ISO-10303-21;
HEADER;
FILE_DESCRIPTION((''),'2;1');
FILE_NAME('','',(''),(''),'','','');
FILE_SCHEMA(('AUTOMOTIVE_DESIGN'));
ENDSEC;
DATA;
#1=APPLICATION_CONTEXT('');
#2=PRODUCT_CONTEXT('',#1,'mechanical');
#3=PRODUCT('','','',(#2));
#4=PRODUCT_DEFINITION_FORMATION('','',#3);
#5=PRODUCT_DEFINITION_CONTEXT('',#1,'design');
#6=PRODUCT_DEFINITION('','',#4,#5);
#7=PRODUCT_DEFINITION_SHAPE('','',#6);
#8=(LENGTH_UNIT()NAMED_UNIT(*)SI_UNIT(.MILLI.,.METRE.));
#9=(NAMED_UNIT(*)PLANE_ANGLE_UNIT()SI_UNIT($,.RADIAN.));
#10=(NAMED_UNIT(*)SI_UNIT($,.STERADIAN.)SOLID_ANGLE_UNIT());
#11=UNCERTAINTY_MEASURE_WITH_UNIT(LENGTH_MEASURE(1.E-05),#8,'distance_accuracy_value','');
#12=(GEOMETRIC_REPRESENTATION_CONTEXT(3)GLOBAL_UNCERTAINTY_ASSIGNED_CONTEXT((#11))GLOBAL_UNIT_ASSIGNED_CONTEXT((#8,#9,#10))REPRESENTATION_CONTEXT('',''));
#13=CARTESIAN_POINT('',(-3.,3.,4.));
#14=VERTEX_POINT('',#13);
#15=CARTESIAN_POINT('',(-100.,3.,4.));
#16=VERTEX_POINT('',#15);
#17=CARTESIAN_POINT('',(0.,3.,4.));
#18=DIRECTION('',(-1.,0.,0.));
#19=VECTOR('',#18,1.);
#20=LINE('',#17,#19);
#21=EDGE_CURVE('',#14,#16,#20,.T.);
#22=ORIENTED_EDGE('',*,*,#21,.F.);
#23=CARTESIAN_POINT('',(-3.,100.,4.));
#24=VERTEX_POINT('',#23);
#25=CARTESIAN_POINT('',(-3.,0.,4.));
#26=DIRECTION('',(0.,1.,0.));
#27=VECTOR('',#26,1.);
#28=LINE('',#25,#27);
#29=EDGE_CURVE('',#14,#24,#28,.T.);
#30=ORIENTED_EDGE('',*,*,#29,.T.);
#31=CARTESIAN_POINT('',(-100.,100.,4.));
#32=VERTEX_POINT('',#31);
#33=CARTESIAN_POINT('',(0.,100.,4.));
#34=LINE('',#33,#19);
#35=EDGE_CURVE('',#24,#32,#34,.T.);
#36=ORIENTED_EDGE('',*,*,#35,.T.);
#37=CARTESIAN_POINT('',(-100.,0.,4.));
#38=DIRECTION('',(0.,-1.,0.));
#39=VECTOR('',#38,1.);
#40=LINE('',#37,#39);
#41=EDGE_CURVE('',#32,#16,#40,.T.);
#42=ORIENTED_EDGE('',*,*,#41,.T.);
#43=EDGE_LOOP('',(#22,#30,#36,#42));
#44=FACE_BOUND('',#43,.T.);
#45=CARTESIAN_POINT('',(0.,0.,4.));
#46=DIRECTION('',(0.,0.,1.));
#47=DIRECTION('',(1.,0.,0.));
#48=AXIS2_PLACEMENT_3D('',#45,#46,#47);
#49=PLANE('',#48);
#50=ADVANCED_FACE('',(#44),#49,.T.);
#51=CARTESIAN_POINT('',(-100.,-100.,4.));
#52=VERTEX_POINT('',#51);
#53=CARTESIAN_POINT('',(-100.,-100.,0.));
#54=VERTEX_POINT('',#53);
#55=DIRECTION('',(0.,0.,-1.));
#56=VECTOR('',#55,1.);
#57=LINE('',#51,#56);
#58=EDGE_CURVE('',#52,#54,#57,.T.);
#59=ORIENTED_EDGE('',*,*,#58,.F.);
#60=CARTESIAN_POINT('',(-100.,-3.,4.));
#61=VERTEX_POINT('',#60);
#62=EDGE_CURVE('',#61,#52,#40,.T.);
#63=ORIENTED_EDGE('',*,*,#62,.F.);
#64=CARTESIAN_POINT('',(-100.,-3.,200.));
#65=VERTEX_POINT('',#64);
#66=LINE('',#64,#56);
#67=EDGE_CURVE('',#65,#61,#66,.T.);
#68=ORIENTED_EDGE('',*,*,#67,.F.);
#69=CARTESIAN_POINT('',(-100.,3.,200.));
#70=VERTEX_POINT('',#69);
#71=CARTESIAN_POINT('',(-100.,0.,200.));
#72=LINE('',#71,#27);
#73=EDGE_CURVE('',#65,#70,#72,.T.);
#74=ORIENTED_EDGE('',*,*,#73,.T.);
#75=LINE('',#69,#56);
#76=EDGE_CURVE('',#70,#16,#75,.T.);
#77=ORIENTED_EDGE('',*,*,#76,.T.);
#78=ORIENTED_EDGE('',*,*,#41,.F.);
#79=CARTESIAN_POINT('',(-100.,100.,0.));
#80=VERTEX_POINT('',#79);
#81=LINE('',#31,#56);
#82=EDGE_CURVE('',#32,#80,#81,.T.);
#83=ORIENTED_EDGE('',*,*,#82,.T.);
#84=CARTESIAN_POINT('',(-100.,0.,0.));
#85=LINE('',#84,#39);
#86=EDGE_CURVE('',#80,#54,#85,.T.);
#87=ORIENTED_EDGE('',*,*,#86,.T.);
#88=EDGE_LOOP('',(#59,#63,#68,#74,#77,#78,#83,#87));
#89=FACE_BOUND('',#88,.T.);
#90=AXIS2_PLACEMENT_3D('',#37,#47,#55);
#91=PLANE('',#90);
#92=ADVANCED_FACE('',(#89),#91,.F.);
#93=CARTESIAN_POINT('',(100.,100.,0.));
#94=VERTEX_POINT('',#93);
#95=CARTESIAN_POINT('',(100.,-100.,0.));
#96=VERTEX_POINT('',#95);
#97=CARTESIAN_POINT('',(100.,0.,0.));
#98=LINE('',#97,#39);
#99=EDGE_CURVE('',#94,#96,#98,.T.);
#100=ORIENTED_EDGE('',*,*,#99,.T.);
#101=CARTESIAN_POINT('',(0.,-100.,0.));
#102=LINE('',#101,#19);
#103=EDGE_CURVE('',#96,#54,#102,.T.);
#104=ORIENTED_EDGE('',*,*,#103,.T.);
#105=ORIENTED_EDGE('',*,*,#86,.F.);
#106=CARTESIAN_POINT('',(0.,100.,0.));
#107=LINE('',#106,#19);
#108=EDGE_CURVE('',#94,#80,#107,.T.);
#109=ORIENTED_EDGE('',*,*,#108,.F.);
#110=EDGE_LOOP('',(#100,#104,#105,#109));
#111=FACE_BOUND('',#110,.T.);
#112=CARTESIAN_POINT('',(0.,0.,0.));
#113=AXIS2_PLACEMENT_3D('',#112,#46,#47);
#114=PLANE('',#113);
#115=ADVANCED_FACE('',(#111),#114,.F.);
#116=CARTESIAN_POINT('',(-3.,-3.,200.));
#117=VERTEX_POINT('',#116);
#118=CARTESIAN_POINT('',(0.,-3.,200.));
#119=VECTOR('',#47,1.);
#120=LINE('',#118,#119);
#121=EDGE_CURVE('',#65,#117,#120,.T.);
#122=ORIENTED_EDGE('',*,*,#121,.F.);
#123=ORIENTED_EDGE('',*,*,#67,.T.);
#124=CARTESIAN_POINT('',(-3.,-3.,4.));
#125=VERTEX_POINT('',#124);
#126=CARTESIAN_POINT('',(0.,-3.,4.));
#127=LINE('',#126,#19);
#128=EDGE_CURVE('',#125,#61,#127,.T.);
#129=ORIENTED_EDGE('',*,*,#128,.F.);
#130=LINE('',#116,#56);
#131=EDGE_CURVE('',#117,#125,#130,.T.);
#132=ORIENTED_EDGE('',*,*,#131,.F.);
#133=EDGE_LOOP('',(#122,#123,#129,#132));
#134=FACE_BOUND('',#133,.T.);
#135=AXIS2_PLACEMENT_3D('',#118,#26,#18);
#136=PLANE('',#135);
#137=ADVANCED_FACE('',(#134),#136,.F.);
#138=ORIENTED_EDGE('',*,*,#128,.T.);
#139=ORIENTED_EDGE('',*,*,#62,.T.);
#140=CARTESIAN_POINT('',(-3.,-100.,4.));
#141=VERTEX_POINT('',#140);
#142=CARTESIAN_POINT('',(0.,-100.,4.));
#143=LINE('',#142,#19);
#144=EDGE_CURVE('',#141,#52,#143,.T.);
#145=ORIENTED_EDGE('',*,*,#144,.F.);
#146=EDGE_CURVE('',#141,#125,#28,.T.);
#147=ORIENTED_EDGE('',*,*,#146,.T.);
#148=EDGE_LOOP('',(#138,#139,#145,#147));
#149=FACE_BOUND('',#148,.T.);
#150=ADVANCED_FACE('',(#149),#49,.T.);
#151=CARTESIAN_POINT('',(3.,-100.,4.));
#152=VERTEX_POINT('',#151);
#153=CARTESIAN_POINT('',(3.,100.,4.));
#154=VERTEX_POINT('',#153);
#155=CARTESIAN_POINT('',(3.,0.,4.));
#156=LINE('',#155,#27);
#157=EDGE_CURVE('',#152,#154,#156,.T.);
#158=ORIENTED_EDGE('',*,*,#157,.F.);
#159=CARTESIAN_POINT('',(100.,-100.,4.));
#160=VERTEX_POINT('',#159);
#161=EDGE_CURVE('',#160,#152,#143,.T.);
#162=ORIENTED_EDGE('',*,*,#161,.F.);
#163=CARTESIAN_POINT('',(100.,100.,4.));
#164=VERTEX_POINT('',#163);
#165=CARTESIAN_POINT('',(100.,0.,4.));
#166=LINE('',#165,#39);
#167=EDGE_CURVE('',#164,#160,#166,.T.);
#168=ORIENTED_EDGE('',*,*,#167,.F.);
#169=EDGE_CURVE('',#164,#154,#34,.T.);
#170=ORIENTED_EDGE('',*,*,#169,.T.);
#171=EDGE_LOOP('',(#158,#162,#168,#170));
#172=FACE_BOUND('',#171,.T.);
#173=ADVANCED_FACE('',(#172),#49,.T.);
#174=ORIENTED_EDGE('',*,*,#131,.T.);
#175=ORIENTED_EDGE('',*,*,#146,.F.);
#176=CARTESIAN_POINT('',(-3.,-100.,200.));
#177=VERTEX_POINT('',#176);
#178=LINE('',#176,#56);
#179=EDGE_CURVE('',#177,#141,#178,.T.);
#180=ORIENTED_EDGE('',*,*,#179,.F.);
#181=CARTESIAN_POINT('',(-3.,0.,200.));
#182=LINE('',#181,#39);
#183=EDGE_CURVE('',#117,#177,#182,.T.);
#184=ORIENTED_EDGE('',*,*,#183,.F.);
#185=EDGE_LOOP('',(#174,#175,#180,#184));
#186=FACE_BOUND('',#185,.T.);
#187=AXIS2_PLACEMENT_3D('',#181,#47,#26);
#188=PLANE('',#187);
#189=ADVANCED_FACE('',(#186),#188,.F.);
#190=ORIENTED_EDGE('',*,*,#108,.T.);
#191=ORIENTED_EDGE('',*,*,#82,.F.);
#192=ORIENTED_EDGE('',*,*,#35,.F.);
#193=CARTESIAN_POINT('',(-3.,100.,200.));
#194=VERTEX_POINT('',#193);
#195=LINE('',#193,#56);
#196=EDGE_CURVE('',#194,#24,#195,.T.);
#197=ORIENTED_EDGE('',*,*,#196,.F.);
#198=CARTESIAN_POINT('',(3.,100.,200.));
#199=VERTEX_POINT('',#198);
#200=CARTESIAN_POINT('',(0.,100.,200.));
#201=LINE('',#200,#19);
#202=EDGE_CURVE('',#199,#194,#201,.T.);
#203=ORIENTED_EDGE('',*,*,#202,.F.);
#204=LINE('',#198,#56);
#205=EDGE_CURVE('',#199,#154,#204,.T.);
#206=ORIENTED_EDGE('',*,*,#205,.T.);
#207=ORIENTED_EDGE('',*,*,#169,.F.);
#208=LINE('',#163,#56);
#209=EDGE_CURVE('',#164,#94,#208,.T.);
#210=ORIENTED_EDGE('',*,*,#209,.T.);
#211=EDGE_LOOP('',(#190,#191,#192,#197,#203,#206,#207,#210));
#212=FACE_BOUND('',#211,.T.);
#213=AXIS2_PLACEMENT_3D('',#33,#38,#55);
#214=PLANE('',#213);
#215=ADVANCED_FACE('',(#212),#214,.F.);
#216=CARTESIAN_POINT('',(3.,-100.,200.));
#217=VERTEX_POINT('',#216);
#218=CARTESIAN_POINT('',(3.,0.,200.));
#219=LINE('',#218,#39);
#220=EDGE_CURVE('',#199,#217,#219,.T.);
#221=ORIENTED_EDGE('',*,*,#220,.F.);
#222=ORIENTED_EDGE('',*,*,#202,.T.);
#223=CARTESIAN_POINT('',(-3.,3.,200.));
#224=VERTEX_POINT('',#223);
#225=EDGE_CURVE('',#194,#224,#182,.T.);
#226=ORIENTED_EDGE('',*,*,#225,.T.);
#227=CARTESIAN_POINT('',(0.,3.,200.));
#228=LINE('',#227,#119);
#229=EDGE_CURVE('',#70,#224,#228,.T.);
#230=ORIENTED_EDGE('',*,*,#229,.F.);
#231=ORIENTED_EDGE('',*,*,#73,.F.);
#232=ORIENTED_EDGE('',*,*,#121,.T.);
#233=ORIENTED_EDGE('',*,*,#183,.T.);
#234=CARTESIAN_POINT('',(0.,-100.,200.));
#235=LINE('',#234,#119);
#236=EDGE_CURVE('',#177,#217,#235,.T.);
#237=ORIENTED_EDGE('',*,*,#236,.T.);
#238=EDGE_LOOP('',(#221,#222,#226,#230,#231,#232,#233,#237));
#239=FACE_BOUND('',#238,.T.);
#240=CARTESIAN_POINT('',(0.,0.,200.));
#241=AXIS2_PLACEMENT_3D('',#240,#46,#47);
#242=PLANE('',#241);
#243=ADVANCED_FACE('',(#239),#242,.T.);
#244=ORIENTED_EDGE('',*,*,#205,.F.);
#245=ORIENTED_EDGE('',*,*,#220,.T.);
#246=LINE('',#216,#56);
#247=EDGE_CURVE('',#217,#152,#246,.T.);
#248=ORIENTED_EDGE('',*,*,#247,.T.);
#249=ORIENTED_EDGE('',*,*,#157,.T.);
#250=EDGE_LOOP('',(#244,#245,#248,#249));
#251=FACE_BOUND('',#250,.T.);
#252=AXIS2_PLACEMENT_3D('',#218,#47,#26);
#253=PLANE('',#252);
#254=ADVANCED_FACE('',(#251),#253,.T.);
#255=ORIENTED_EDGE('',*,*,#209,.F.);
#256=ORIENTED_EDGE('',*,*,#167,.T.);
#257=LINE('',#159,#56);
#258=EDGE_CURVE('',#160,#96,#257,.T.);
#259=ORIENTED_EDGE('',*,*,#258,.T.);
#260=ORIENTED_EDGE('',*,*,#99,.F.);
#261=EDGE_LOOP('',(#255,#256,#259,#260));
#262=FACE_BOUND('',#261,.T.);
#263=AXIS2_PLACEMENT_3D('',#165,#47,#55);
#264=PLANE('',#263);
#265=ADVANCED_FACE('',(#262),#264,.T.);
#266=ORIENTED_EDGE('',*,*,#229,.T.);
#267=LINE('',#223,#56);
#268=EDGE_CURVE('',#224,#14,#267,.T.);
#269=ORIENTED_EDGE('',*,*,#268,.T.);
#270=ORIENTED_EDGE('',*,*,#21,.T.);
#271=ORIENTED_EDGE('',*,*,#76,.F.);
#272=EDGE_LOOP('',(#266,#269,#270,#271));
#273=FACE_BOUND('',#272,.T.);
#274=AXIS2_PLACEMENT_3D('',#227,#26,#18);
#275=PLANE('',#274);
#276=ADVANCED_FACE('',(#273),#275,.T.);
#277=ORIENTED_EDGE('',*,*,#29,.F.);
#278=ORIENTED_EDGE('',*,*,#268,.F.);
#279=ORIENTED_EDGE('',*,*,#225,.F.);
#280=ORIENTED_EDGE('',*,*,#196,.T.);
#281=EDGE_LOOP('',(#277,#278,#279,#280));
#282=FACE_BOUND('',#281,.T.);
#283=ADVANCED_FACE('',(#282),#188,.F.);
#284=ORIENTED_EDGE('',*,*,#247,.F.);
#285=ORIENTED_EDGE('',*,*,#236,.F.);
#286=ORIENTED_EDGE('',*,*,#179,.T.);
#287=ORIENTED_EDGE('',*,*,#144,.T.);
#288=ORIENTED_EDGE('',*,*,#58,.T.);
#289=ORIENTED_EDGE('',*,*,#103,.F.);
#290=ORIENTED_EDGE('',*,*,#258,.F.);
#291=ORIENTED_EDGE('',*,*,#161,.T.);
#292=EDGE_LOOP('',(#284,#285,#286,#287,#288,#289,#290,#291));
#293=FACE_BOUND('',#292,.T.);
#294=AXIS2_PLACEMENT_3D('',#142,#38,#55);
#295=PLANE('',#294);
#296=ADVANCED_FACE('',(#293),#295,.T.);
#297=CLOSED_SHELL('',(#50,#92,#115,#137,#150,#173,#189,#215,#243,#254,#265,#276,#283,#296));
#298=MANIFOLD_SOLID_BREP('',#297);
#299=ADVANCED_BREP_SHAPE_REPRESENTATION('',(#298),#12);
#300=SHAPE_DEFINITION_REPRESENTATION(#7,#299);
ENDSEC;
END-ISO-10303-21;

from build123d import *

# Parameters (mm, degrees)
SZKIC1_W                    = 100
SZKIC1_H                    = 100
DODANIE_WYCI_GNI_CIE1_DEPTH = 4
SZKIC2_W                    = 97
SZKIC2_H                    = 3
DODANIE_WYCI_GNI_CIE2_DEPTH = 200


with BuildPart() as part:
    # Szkic1 → Dodanie-wyciągnięcie1 (new body)
    with BuildSketch(Plane.XY):
        with Locations((-50, 50)):
            Rectangle(SZKIC1_W, SZKIC1_H)
        with Locations((50, 50)):
            Rectangle(SZKIC1_W, SZKIC1_H)
        with Locations((50, -50)):
            Rectangle(SZKIC1_W, SZKIC1_H)
        with Locations((-50, -50)):
            Rectangle(SZKIC1_W, SZKIC1_H)
    extrude(amount=DODANIE_WYCI_GNI_CIE1_DEPTH)

    # Szkic2 → Dodanie-wyciągnięcie2 (add)
    with BuildSketch(Plane.XY):
        with Locations((-51.5, 1.5)):
            Rectangle(SZKIC2_W, SZKIC2_H)
        with Locations((-51.5, -1.5)):
            Rectangle(SZKIC2_W, SZKIC2_H)
        Polygon((3, 100), (0, 100), (0, 0), (0, -100), (3, -100), align=None)
        Polygon((0, 0), (0, 100), (-3, 100), (-3, 3), (-3, 0), align=None)
        Polygon((0, -100), (0, 0), (-3, 0), (-3, -3), (-3, -100), align=None)
    extrude(amount=DODANIE_WYCI_GNI_CIE2_DEPTH)


solid = part.part
